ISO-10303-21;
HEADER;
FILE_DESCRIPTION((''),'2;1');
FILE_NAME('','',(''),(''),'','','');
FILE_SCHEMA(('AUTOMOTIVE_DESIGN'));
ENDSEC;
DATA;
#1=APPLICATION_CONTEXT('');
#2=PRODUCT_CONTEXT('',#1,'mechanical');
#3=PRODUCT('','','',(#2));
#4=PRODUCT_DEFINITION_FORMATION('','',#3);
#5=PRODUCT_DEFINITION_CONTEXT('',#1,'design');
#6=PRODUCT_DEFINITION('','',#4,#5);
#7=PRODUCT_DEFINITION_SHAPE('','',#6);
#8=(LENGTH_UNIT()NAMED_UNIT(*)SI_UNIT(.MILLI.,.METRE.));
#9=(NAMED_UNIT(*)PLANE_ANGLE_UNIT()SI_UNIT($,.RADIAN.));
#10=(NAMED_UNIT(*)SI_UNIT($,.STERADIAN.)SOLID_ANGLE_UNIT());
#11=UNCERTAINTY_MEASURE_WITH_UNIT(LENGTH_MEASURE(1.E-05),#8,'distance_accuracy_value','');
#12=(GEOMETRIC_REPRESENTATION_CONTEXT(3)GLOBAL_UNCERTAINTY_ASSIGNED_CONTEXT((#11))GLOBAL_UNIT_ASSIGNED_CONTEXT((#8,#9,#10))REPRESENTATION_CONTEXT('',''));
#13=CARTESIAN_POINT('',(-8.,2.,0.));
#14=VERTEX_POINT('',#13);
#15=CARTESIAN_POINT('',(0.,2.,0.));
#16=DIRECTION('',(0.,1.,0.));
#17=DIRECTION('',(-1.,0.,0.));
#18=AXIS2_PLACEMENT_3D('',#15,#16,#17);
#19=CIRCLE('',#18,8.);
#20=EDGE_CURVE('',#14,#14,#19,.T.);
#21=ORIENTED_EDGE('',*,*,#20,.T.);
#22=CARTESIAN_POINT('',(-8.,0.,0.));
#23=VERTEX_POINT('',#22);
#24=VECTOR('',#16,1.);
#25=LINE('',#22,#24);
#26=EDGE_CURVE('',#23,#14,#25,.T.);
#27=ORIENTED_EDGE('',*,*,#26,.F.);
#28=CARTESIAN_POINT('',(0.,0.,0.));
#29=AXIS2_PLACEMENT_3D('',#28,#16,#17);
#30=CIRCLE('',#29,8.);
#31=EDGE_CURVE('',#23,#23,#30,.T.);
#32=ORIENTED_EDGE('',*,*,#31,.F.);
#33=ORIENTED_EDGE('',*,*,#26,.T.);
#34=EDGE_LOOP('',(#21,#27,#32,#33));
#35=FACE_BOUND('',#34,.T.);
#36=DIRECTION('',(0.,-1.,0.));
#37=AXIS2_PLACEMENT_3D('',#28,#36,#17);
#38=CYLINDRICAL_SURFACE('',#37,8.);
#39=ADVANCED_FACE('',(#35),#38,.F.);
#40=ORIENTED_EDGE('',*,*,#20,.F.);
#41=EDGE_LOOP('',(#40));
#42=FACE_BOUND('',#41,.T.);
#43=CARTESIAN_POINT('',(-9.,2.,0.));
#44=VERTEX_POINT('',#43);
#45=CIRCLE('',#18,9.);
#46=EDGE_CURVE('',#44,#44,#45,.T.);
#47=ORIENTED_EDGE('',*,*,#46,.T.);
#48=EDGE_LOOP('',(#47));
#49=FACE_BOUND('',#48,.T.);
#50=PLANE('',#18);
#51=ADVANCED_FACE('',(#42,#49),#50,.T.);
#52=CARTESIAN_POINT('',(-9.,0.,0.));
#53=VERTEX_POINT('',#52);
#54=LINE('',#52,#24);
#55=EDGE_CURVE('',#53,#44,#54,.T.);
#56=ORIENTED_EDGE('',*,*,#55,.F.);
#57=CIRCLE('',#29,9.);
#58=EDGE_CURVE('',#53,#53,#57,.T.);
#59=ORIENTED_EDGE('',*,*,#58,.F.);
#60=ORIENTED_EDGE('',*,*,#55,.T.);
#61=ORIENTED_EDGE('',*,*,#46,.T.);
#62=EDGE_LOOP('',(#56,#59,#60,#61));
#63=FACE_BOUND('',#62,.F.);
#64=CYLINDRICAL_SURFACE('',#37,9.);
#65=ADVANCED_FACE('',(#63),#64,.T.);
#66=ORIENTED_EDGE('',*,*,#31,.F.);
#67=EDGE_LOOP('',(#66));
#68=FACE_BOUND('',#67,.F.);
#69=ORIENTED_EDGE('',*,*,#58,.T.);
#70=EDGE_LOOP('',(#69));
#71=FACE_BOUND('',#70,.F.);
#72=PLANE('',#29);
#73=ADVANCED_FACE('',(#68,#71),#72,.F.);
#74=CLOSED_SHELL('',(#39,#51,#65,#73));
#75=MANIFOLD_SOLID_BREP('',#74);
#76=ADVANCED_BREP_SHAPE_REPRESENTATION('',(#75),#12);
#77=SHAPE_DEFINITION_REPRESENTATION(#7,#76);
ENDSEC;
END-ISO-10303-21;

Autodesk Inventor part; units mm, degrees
ref_plane "YZ Plane" through (0, 0, 0) normal (1, 0, 0) x (0, 1, 0)
ref_plane "XZ Plane" through (0, 0, 0) normal (0, 1, 0) x (-1, 0, 0)
ref_plane "XY Plane" through (0, 0, 0) normal (0, 0, 1) x (1, 0, 0)
sketch "Schizzo1" plane through (0, 0, 0) normal (0, 1, 0) x (-1, 0, 0)
  circle A0 centre (0, 0) radius 8
  circle A1 centre (0, 0) radius 9
  line L0 (-10, -10) -> (10, -10)
  line L1 (10, -10) -> (10, 10)
  line L2 (10, 10) -> (-10, 10)
  line L3 (-10, 10) -> (-10, -10)
  line L4 (-10, -10) -> (10, 10) construction
  line L5 (10, -10) -> (-10, 10) construction
  line L6 (9, 10) -> (-8, 10)
  line L7 (10, 10) -> (11, 10)
  line L8 (11, 9) -> (10, 9)
  line L9 (10, 9) -> (10, 10)
  line L10 (10, -10) -> (11, -10)
  line L11 (11, -9) -> (10, -9)
  line L12 (10, -9) -> (10, -10)
  line L13 (9, 10) -> (-9, 10)
  line L14 (-9, 10) -> (-9, 11)
  line L15 (-9, 11) -> (9, 11)
  line L16 (9, 11) -> (9, 10)
  line L17 (-10, 10) -> (-11, 10)
  line L18 (-11, 9) -> (-10, 9)
  line L19 (-10, 9) -> (-10, 10)
  line L20 (-10, -10) -> (-11, -10)
  line L21 (-11, -9) -> (-10, -9)
  line L22 (-10, -9) -> (-10, -10)
  line L23 (9, -10) -> (-9, -10)
  line L24 (-9, -10) -> (-9, -11)
  line L25 (-9, -11) -> (9, -11)
  line L26 (9, -11) -> (9, -10)
  line L27 (11, 10) -> (12, 10)
  line L28 (12, 10) -> (12, 8)
  line L29 (12, 8) -> (11, 8)
  line L30 (11, 9) -> (11, 8)
  line L31 (11, -10) -> (12, -10)
  line L32 (12, -10) -> (12, -8)
  line L33 (12, -8) -> (11, -8)
  line L34 (11, -8) -> (11, -9)
  line L35 (-11, -10) -> (-12, -10)
  line L36 (-12, -10) -> (-12, -8)
  line L37 (-12, -8) -> (-11, -8)
  line L38 (-11, -8) -> (-11, -9)
  line L39 (-11, 10) -> (-12, 10)
  line L40 (-12, 10) -> (-12, 8)
  line L41 (-12, 8) -> (-11, 8)
  line L42 (-11, 8) -> (-11, 9)
  dimension "d0" = 16
  dimension "d1" = 18
  dimension "d2" = 20
  dimension "d3" = 20
  dimension "d6" = 1
  dimension "d7" = 1
  dimension "d8" = 1
  dimension "d9" = 1
  dimension "d10" = 1
  dimension "d11" = 1
  dimension "d12" = 1
  dimension "d13" = 1
  dimension "d14" = 1
  dimension "d15" = 18
  dimension "d16" = 1
  dimension "d17" = 2
  dimension "d18" = 1
  dimension "d19" = 2
  dimension "d20" = 1
  dimension "d21" = 2
  dimension "d22" = 1
  dimension "d23" = 2
extrude "Estrusione2" add sketch "Schizzo1" along normal blind 2 contours A1
properties part number "Adattatore"
